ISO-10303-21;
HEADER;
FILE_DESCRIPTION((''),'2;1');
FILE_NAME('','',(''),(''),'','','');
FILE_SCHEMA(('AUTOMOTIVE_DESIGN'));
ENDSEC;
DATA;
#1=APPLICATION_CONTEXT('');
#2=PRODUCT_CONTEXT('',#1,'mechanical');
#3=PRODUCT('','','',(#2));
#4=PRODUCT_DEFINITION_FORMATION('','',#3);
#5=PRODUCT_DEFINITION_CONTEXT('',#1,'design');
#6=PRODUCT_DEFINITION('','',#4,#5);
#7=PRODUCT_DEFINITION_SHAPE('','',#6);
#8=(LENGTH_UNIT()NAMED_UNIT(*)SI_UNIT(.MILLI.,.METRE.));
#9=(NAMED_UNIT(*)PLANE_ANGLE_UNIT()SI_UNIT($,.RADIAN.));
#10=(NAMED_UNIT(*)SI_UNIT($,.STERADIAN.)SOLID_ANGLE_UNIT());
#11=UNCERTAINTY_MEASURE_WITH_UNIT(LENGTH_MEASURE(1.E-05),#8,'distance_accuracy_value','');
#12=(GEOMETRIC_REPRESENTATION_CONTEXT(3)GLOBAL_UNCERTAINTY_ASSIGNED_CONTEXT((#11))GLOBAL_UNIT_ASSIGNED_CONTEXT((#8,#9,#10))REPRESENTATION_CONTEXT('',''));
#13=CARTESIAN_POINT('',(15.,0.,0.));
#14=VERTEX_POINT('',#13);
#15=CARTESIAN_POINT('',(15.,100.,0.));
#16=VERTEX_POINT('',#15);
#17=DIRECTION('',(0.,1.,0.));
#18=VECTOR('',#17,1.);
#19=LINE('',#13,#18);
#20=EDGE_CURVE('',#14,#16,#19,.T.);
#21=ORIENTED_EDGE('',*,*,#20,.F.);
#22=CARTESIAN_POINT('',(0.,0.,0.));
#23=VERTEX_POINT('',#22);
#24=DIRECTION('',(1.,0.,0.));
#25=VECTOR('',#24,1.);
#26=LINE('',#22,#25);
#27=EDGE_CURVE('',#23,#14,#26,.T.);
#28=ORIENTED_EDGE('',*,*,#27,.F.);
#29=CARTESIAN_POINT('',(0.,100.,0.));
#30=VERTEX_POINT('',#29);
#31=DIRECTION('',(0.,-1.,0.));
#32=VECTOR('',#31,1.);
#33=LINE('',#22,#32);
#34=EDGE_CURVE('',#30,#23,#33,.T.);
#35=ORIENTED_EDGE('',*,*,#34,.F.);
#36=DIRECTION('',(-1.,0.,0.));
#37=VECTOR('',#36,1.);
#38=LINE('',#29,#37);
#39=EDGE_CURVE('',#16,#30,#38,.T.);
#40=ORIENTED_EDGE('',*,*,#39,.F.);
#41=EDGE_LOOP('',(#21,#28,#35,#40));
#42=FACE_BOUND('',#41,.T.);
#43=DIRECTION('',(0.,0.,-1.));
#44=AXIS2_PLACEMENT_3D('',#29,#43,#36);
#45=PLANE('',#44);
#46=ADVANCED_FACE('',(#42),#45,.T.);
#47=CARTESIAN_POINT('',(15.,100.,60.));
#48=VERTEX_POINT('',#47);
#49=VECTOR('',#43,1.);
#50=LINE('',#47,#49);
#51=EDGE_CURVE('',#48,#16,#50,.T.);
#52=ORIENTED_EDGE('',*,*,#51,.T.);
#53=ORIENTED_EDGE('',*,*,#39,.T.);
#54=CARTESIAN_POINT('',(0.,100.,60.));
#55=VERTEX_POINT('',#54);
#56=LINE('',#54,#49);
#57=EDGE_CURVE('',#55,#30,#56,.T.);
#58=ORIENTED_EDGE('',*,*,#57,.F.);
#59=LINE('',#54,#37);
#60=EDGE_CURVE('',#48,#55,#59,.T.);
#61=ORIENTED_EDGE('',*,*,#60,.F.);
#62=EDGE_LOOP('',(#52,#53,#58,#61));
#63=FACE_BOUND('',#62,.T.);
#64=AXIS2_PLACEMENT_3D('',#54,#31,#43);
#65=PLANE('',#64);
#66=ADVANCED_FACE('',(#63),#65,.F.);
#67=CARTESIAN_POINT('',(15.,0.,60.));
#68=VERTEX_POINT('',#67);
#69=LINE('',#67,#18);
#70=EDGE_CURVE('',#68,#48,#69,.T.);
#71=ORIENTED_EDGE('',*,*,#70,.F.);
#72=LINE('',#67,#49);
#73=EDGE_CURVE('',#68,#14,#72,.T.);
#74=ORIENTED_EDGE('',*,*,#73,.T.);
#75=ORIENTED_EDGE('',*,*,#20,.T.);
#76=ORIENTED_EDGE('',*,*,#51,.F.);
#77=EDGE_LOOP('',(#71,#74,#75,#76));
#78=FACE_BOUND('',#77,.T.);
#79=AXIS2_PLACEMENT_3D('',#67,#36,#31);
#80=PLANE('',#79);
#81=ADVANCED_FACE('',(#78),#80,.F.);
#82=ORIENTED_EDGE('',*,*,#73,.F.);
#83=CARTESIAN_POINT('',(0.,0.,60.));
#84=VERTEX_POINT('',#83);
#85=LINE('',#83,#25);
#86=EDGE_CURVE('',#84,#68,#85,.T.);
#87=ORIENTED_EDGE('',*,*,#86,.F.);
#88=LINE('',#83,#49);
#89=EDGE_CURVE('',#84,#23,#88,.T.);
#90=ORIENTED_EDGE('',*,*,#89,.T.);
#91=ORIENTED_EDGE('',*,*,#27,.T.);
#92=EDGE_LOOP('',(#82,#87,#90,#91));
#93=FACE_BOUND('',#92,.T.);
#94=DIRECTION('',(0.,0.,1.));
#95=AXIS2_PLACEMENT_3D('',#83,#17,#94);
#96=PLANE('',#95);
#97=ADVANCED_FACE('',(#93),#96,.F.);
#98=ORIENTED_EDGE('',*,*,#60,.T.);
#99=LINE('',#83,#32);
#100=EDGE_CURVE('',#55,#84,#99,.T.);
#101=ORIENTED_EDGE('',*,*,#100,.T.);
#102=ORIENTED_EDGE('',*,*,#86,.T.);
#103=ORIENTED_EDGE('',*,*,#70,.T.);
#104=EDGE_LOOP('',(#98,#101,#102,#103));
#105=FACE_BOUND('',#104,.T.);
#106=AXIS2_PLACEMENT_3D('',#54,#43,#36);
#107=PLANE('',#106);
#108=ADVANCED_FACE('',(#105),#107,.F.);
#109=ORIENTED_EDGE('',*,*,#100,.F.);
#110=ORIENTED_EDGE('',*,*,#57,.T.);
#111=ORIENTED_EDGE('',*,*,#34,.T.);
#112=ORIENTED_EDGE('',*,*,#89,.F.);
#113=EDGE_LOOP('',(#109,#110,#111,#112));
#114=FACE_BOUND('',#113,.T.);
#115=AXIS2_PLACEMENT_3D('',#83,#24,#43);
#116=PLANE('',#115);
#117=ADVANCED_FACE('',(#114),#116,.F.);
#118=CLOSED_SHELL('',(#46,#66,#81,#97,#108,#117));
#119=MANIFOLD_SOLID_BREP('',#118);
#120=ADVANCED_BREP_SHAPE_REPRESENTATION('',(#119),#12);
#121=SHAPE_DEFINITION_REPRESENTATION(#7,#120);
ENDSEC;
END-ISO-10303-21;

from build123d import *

# Parameters (mm, degrees)
SKETCH1_W      = 15
SKETCH1_H      = 100
EXTRUDE1_DEPTH = 60


with BuildPart() as part:
    # Sketch1 → Extrude1 (new body)
    with BuildSketch(Plane.XY):
        with Locations((7.5, 50)):
            Rectangle(SKETCH1_W, SKETCH1_H)
    extrude(amount=EXTRUDE1_DEPTH)


solid = part.part
